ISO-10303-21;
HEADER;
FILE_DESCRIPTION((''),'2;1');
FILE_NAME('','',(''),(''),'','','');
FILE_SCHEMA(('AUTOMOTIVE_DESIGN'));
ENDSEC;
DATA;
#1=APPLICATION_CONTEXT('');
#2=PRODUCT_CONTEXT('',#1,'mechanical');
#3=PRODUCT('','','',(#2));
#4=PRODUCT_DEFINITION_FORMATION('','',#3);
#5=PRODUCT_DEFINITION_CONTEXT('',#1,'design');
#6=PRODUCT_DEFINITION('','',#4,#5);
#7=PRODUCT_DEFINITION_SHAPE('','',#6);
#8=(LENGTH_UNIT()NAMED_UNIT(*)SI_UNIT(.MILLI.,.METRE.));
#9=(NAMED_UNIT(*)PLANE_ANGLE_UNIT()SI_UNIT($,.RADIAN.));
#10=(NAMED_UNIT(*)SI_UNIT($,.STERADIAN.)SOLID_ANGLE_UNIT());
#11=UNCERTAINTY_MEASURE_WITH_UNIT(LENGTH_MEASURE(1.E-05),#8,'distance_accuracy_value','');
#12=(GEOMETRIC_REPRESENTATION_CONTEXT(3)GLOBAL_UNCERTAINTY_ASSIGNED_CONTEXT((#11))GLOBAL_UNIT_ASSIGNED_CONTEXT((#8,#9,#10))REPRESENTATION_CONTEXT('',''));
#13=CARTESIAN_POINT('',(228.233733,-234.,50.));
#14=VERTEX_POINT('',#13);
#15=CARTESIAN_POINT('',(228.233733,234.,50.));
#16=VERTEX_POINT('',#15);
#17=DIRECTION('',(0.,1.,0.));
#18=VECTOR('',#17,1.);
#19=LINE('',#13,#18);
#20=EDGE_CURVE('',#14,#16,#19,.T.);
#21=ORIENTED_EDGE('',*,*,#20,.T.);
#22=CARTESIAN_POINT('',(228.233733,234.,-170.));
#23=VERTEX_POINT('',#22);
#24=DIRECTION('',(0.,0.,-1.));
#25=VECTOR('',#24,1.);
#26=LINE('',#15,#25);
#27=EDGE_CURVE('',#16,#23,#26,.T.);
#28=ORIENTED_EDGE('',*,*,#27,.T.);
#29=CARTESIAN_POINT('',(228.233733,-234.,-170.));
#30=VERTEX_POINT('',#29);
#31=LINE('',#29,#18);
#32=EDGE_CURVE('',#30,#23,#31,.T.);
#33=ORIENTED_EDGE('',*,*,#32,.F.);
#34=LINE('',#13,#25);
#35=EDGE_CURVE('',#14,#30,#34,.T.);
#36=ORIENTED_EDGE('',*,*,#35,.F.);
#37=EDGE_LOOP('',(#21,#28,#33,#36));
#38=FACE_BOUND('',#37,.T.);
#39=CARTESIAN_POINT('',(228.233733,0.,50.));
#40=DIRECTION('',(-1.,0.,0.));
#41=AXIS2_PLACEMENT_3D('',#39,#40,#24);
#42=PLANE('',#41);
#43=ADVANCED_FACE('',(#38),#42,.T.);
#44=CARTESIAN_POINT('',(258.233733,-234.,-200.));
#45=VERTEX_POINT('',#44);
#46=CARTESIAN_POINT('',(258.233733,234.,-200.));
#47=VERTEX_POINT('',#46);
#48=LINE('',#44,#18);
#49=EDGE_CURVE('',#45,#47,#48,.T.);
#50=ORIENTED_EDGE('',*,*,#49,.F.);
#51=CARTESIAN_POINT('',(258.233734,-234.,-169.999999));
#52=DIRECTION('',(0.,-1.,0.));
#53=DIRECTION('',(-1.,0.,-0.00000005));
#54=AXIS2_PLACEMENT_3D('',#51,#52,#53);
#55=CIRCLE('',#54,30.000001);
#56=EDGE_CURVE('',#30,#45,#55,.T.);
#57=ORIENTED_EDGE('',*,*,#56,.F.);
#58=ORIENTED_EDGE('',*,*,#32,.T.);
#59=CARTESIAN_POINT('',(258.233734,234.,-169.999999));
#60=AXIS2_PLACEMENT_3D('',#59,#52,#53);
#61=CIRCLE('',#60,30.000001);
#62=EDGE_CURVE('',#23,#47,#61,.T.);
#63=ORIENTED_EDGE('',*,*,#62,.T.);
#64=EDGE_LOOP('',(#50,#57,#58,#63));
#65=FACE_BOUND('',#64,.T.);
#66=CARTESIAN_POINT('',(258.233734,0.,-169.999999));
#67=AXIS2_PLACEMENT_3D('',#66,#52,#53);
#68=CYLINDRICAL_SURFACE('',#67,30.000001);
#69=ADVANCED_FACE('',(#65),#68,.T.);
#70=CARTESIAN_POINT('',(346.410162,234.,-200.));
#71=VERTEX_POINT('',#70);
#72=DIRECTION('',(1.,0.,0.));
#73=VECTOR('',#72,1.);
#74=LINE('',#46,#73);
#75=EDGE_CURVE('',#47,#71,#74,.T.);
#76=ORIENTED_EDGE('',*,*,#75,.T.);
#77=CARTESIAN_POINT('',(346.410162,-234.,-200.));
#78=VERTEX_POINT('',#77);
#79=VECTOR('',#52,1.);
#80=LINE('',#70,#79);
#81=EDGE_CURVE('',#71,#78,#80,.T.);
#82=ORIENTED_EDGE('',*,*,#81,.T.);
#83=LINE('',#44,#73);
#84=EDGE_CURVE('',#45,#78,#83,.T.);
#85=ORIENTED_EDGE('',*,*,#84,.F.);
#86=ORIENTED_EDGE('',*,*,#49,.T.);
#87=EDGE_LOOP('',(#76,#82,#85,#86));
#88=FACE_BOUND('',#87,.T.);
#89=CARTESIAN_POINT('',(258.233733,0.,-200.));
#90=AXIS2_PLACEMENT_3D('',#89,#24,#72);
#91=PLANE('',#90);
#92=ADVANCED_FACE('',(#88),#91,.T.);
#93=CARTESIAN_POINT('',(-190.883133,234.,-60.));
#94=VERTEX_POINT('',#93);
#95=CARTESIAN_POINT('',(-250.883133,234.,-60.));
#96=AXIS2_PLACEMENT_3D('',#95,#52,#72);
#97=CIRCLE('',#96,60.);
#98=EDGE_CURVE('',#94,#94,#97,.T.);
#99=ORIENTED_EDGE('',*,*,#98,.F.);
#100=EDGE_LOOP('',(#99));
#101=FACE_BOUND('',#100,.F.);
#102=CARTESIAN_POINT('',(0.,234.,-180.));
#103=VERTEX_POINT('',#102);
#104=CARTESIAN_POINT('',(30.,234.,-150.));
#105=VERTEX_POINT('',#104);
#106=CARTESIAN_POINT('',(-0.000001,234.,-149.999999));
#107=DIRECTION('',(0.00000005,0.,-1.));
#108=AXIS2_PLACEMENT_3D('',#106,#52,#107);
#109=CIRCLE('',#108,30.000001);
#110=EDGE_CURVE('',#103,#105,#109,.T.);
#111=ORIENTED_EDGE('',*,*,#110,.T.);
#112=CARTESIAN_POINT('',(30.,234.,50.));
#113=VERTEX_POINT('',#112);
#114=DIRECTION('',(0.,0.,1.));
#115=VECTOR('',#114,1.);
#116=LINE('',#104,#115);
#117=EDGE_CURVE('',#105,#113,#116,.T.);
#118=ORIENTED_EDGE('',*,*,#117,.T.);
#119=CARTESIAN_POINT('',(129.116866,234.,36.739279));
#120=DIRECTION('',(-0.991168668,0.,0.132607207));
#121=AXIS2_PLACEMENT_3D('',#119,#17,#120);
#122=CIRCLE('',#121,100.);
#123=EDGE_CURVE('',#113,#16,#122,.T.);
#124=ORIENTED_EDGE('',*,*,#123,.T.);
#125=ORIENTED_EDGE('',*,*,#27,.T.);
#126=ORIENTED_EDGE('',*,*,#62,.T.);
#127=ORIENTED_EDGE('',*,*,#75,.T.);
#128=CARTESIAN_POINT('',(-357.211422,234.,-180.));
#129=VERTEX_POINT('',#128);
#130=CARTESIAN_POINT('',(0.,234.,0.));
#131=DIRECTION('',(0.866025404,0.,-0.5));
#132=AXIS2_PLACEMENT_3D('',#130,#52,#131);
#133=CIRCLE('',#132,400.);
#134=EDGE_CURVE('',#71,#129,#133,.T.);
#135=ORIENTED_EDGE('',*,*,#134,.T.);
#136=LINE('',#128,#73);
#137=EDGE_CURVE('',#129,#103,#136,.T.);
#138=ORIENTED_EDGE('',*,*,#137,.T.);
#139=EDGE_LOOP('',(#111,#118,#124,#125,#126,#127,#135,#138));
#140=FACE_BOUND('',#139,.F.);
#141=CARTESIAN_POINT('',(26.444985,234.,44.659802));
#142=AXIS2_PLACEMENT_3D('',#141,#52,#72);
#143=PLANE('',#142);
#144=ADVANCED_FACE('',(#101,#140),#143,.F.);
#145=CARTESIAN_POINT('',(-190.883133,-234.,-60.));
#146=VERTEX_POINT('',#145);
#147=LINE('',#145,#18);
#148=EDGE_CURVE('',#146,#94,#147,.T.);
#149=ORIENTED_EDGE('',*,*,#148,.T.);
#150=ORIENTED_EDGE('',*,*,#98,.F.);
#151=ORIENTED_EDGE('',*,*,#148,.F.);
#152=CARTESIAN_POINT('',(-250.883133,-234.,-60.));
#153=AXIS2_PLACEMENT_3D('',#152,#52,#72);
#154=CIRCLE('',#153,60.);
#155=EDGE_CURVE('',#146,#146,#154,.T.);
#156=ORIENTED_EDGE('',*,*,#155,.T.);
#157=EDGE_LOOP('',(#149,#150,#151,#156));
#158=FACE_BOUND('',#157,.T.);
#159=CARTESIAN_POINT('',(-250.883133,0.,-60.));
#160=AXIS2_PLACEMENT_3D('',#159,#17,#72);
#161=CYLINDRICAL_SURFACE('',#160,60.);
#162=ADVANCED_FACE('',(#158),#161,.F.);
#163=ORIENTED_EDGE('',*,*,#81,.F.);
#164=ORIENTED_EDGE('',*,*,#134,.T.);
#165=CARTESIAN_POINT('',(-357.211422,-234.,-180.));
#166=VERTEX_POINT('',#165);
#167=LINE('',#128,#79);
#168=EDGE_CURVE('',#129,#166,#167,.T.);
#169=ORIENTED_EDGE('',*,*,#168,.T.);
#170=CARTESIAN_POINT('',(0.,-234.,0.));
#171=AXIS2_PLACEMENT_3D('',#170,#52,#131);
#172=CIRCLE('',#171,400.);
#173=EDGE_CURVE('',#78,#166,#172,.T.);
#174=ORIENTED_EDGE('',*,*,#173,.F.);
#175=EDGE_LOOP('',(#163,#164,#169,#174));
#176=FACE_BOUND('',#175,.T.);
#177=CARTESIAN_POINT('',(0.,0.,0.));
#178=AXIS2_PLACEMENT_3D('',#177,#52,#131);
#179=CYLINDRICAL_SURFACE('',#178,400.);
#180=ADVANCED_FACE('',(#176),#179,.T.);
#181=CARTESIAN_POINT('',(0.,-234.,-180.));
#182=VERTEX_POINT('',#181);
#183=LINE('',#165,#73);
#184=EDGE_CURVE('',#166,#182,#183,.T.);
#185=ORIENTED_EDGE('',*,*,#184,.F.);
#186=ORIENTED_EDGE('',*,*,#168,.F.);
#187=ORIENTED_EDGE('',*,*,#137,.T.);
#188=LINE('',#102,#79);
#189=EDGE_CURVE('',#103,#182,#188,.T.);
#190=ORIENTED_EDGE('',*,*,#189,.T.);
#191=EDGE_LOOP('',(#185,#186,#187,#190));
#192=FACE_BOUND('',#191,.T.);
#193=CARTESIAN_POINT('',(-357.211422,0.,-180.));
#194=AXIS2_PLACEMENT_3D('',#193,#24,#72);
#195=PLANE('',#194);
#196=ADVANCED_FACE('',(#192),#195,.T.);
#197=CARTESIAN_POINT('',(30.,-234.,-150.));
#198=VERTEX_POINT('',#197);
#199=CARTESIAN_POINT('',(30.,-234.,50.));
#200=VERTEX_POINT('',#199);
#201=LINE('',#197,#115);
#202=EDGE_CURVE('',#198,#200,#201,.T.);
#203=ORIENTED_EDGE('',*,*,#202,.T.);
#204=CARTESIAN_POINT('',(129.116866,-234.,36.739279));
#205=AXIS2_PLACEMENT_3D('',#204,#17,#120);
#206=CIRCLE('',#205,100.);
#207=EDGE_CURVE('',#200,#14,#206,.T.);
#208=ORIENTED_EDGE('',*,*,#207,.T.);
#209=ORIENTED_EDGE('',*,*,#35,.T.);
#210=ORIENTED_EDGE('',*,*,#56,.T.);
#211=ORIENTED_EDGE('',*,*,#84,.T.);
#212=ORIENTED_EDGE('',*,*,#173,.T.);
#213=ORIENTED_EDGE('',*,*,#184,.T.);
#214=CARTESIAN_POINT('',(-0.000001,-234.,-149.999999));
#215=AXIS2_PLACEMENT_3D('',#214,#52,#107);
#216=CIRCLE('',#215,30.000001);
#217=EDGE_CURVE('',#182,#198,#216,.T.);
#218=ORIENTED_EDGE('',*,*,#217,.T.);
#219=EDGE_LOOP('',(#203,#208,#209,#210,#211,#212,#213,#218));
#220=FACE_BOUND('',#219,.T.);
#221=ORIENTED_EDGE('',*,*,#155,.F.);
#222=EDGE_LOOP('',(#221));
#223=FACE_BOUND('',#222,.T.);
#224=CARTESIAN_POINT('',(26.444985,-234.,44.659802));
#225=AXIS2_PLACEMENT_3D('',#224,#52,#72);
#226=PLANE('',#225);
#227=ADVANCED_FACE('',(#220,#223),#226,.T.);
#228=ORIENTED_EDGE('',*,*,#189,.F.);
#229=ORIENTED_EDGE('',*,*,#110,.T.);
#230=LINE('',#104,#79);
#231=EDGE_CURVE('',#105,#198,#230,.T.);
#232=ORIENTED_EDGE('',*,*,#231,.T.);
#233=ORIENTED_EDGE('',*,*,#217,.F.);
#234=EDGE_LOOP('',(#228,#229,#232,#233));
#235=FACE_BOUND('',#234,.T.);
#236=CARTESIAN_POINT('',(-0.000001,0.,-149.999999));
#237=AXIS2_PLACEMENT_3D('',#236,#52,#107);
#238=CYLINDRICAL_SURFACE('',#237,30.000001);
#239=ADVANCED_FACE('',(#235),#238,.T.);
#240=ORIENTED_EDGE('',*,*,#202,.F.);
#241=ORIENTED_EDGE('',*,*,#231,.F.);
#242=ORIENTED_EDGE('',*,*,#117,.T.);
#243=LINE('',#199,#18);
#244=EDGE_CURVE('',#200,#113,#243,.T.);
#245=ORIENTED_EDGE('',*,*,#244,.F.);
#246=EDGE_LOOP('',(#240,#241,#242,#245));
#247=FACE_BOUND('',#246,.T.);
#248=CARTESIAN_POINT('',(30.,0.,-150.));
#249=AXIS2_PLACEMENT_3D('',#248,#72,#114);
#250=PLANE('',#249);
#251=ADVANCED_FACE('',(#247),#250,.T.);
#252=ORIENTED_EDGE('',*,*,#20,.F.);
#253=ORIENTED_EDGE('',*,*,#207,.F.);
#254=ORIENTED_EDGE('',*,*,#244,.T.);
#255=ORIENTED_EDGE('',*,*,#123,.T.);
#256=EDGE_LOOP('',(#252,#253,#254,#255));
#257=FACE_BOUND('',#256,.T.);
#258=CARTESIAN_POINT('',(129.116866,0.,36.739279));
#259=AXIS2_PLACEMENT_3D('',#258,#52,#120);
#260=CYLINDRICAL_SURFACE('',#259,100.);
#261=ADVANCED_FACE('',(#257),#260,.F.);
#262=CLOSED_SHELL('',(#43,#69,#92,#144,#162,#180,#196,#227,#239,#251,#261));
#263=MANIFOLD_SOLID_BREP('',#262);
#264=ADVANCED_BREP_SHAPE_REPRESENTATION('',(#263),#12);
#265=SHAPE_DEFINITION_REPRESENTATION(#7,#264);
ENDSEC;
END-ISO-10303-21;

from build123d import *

# Parameters (mm, degrees)
F0_R     = 60
F1_DEPTH = 234


with BuildPart() as f1:
    # F0 (on Front) → F1 (new body, symmetric)
    with BuildSketch(Plane.XZ):
        with BuildLine():
            Line((258.233733, -200), (346.410162, -200))
            ThreePointArc((346.410162, -200), (11.365158, 399.838509), (-357.211422, -180))
            Line((-357.211422, -180), (0, -180))
            ThreePointArc((0, -180), (21.213203, -171.213203), (30, -150))
            Line((30, -150), (30, 0))
            Line((30, 0), (30, 50))
            ThreePointArc((30, 50), (129.116867, 136.739279), (228.233733, 50))
            Line((228.233733, 50), (228.233733, 0))
            Line((228.233733, 0), (228.233733, -170))
            ThreePointArc((228.233733, -170), (237.02053, -191.213203), (258.233733, -200))
        make_face()
        with Locations((-250.883133, -60)):
            Circle(F0_R, mode=Mode.SUBTRACT)
    extrude(amount=F1_DEPTH, both=True)


solid = f1.part
